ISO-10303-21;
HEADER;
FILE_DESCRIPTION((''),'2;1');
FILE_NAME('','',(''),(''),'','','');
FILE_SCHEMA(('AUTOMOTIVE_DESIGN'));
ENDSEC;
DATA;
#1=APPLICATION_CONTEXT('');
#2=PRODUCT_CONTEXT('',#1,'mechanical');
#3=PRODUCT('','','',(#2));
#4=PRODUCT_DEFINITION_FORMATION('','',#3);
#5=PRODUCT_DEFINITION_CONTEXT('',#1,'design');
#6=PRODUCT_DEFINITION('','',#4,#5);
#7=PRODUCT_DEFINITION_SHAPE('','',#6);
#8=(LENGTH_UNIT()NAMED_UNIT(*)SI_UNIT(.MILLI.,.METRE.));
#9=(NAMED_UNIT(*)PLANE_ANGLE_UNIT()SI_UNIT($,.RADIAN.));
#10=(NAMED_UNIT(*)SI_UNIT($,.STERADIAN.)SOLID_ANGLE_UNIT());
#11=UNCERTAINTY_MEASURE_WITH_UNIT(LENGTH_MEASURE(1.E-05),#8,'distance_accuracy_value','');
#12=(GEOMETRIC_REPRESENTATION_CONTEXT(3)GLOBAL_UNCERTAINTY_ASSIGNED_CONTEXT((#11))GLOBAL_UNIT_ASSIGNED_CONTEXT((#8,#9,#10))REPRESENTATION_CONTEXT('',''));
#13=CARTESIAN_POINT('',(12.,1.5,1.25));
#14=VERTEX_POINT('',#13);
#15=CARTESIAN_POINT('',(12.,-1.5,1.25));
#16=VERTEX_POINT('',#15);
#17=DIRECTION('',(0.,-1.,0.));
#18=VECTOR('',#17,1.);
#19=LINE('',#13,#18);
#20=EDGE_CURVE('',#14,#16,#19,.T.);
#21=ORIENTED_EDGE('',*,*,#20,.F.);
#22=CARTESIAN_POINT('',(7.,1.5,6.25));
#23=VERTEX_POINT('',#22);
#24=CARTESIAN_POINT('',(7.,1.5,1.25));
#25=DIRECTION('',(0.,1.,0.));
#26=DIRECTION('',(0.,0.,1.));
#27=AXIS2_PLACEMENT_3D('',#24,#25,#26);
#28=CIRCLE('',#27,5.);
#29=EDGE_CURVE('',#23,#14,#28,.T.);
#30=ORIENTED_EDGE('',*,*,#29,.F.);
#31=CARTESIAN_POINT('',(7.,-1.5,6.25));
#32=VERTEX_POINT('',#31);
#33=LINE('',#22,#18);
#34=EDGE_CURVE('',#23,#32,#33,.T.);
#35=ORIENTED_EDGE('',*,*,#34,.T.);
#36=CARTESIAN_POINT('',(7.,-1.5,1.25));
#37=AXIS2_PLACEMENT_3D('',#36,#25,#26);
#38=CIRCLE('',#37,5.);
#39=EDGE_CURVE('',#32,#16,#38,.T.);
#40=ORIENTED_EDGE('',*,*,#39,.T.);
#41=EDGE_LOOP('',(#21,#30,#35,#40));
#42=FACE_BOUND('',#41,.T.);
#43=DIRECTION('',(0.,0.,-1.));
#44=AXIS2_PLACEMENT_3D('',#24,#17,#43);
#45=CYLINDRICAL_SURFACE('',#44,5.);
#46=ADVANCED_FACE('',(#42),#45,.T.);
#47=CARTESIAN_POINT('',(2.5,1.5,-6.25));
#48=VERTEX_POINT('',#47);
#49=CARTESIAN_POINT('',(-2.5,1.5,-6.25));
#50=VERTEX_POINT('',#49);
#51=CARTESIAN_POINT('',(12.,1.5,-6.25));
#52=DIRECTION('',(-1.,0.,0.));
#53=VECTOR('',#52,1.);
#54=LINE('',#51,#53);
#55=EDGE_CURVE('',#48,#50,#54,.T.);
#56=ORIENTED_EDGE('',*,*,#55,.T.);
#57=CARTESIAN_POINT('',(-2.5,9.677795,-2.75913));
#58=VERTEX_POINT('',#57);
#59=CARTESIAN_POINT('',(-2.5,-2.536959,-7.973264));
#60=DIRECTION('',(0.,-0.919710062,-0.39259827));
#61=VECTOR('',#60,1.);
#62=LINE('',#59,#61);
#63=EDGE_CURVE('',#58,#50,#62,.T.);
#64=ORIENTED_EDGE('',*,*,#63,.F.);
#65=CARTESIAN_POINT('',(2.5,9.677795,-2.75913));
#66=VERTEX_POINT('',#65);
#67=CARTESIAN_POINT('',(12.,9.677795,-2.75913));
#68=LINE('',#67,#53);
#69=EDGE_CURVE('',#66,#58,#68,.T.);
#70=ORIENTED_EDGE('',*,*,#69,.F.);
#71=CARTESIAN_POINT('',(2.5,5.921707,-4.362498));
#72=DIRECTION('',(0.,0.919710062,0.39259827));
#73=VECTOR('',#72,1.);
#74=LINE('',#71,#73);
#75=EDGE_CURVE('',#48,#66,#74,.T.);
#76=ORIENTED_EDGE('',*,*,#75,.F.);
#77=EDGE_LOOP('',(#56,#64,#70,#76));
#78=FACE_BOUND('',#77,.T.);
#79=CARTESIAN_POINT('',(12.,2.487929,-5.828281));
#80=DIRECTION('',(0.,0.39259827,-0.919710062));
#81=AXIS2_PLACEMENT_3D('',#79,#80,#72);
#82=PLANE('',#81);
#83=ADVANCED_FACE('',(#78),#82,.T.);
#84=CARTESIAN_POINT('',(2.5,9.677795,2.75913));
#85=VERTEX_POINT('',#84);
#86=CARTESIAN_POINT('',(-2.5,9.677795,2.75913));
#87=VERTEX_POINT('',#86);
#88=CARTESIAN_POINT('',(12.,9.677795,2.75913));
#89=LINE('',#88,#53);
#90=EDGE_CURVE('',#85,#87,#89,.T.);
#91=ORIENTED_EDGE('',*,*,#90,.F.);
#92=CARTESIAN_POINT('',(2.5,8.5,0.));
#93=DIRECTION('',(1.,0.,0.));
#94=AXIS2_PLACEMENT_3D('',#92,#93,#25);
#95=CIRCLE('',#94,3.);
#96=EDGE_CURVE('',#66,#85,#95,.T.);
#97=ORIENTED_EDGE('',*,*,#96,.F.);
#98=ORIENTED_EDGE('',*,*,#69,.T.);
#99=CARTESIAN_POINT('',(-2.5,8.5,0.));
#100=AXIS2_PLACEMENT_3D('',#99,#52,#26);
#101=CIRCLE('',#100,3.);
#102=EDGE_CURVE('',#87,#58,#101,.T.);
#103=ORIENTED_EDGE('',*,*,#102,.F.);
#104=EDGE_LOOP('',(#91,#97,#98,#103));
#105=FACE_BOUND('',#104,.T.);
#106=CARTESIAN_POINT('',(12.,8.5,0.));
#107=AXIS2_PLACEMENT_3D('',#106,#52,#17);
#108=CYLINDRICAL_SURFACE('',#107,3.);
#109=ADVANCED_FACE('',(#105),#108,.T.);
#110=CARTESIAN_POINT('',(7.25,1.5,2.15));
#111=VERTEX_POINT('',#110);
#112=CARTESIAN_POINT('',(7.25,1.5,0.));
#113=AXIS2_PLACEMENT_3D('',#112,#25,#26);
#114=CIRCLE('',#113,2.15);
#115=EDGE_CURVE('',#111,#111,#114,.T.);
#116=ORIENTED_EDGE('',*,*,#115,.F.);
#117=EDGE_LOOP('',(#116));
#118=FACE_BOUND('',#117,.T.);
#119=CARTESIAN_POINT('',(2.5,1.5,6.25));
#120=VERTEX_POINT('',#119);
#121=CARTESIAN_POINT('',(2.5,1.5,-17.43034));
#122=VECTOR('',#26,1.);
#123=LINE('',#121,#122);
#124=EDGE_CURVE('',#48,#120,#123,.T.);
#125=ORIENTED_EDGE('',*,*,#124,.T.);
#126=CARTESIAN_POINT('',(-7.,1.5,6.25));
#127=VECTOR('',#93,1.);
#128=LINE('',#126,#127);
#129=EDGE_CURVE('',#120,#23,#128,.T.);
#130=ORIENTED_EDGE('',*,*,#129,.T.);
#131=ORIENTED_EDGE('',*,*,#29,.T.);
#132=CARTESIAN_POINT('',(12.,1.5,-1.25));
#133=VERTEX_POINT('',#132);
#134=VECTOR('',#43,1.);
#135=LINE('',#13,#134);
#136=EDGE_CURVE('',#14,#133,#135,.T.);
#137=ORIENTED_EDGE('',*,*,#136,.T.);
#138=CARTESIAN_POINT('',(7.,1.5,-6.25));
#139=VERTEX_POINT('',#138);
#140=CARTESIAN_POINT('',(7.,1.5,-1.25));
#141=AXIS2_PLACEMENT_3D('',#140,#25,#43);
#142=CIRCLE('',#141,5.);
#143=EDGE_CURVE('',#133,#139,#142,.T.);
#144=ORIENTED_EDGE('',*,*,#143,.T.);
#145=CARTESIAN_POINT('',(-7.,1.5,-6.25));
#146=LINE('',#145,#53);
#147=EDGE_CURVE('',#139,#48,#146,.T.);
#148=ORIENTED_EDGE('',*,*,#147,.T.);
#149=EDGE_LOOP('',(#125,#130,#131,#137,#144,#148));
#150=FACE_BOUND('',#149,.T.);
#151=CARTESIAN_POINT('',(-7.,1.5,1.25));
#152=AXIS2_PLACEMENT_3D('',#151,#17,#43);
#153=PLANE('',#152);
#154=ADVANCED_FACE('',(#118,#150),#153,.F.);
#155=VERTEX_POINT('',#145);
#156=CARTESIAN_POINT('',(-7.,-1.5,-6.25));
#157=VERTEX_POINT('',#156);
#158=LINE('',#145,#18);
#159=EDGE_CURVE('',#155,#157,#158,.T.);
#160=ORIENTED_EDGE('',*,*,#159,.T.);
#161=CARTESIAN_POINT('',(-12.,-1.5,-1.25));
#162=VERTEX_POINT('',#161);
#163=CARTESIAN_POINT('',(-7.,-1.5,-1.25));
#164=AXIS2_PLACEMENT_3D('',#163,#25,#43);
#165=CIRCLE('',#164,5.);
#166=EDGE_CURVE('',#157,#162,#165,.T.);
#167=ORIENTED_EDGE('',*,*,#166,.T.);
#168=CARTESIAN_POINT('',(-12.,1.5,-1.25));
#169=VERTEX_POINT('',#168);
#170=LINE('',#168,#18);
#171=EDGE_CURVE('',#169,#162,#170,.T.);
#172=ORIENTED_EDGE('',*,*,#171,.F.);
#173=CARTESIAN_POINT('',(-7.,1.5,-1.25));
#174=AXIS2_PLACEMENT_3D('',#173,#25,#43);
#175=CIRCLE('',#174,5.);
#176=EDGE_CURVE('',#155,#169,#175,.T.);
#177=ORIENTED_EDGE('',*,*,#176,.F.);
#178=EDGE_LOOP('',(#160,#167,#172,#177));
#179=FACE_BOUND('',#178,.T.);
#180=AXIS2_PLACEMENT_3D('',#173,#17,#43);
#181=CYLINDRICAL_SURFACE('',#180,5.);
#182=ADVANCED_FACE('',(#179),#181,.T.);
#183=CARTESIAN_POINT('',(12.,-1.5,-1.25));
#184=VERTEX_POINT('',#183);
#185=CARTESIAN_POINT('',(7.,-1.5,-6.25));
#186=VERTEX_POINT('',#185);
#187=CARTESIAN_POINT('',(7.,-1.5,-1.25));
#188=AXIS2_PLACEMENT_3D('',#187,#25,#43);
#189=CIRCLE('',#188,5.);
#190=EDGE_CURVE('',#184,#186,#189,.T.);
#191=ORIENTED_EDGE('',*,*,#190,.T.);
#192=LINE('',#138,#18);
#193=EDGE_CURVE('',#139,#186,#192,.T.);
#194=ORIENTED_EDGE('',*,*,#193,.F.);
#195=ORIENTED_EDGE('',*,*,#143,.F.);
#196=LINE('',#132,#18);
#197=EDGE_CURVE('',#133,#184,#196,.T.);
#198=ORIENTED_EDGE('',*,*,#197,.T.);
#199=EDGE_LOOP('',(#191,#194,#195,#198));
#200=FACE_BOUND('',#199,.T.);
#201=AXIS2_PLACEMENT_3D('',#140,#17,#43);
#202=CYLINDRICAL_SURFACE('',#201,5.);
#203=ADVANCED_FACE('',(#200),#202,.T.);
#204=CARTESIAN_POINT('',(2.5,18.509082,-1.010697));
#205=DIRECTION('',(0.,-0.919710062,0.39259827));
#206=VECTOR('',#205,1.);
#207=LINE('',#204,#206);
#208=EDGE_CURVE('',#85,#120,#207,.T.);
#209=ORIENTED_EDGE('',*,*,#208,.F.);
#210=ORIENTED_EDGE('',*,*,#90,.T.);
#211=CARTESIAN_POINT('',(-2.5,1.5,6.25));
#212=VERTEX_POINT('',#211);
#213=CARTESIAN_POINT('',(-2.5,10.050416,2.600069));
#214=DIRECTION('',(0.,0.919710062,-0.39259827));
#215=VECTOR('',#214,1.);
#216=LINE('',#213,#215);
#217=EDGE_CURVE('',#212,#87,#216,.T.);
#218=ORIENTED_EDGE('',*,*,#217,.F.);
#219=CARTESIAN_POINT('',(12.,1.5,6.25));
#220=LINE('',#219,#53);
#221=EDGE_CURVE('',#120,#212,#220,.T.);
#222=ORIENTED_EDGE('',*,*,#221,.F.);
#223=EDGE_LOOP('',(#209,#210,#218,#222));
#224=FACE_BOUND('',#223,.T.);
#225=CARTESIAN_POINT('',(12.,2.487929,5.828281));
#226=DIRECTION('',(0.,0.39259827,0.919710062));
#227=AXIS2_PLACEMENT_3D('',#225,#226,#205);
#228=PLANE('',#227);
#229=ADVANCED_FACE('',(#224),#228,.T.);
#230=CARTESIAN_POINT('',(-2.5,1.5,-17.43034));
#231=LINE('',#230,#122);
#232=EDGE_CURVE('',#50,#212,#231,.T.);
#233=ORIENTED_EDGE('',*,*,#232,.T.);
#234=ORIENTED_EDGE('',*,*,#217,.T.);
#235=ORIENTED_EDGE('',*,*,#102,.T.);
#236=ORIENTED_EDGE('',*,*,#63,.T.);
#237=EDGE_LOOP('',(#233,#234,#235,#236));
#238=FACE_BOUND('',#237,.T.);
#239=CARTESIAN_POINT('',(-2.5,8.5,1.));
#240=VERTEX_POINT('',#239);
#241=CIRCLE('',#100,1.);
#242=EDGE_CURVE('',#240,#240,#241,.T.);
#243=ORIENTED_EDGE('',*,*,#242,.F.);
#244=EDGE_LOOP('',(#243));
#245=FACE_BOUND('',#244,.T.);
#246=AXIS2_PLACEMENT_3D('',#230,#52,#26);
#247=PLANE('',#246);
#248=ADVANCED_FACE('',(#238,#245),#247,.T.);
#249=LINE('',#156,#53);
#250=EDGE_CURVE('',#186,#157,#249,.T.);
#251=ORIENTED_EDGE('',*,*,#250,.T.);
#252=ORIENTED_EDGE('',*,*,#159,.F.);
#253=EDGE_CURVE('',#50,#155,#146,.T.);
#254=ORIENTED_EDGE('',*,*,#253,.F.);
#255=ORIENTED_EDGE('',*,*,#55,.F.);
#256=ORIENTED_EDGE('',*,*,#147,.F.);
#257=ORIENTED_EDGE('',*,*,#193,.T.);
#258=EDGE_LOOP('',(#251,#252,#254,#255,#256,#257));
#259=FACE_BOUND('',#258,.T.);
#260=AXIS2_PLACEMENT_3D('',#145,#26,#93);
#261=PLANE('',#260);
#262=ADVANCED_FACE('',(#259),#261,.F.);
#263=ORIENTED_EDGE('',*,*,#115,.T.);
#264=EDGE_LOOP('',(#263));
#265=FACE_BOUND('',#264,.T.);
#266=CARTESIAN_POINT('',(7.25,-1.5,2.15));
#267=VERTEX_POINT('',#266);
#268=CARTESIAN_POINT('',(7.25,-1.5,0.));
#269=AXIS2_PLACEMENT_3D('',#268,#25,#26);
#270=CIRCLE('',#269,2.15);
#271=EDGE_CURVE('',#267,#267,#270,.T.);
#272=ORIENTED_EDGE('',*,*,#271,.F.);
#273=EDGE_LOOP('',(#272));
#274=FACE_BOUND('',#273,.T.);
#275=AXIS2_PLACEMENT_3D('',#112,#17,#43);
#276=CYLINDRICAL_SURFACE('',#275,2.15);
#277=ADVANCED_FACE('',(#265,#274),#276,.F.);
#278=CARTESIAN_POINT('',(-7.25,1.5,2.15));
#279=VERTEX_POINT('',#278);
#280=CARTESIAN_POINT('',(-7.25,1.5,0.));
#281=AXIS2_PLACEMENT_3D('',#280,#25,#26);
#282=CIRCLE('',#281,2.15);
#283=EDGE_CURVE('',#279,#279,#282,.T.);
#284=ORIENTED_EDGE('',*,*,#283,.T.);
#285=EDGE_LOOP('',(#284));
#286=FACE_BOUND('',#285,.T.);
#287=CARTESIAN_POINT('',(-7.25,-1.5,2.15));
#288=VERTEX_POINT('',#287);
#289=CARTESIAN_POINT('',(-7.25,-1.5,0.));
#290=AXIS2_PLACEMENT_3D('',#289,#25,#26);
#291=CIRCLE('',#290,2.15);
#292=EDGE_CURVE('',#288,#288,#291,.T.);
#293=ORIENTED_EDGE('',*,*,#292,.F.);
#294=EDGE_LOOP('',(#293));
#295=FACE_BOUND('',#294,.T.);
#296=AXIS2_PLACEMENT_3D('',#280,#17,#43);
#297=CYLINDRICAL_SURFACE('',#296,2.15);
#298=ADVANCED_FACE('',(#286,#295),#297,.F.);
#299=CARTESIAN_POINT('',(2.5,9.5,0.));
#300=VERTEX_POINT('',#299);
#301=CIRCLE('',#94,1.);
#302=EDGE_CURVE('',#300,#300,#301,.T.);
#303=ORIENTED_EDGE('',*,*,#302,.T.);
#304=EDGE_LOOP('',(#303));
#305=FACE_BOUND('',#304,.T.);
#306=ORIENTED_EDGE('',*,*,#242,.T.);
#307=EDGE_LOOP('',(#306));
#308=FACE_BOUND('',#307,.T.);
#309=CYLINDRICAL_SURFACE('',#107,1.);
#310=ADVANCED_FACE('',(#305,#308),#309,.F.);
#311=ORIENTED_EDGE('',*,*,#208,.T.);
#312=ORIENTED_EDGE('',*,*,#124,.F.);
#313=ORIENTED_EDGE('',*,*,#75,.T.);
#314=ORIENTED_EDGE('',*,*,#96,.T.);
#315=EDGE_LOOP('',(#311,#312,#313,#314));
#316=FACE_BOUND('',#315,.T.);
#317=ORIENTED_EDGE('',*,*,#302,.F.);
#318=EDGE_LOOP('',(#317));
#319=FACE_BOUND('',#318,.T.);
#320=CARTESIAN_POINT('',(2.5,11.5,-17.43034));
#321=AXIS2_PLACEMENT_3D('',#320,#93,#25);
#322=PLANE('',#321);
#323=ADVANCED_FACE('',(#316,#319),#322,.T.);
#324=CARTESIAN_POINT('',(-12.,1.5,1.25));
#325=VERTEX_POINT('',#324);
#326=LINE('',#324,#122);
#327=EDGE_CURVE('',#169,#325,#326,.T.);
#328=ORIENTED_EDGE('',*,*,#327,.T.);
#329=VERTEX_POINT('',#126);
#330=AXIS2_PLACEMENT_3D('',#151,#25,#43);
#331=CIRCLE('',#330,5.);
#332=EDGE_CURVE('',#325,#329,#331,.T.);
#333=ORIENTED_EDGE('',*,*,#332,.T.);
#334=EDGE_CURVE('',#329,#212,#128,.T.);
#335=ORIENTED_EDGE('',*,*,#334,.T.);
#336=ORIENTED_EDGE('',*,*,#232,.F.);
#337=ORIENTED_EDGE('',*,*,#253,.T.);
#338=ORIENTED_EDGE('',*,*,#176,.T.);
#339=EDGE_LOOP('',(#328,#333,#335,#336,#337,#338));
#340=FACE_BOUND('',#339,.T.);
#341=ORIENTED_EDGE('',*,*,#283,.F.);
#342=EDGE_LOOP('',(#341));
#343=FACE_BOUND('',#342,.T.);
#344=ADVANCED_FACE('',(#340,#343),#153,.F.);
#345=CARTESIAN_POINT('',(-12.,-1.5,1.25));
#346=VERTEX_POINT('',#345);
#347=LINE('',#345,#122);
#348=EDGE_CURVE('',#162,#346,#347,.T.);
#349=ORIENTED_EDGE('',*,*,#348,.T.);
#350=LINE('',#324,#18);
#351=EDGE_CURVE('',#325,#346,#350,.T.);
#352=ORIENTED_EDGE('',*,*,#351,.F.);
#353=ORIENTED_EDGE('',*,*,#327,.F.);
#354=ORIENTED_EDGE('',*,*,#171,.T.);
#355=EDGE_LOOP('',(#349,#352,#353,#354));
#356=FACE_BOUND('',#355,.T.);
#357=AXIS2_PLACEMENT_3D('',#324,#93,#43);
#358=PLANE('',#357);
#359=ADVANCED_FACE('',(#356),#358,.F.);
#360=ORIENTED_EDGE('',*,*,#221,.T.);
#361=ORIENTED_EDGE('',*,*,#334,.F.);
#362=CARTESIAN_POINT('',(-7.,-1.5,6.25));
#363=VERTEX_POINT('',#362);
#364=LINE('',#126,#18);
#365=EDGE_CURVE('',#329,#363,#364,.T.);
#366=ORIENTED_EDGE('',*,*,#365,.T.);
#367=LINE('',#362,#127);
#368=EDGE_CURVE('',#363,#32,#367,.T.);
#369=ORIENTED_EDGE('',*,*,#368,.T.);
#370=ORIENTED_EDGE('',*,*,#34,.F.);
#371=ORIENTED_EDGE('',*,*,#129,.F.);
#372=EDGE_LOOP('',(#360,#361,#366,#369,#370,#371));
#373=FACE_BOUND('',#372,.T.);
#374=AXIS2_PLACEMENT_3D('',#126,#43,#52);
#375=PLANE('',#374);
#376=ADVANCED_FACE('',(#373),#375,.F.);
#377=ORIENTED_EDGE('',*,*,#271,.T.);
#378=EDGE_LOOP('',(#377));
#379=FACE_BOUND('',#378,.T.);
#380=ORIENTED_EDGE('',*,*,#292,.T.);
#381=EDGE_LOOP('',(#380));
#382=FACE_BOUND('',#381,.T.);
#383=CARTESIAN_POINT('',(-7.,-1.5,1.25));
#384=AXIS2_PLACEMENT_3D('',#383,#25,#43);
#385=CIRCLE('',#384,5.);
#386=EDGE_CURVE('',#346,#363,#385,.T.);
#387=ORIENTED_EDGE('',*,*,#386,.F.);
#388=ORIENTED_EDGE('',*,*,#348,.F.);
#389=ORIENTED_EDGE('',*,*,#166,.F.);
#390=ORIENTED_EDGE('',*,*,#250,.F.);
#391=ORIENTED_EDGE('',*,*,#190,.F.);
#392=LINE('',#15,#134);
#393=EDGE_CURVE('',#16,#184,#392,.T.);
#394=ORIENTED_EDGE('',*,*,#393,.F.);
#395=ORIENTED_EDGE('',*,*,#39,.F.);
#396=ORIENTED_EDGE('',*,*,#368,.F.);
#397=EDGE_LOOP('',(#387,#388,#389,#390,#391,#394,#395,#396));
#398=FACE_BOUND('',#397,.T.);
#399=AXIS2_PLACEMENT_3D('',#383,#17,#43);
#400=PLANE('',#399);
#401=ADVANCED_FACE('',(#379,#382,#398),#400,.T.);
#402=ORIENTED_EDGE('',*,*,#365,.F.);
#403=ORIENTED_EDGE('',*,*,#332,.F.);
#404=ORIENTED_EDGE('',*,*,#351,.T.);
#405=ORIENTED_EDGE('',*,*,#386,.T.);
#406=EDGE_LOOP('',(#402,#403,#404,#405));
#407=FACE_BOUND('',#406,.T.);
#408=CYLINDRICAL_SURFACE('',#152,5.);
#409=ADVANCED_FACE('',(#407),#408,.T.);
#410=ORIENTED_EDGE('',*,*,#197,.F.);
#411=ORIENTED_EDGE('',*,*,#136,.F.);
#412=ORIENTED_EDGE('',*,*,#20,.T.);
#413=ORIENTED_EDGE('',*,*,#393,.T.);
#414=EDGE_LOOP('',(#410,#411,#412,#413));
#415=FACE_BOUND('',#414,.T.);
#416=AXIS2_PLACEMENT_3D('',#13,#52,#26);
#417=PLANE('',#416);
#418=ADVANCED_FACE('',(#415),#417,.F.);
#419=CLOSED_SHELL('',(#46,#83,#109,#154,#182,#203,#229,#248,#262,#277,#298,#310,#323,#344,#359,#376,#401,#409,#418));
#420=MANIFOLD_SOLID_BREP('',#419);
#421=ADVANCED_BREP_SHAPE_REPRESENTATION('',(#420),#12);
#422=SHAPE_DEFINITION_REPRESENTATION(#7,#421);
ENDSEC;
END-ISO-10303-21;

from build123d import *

# Parameters (mm, degrees)
SKETCH1_R               = 2.15
BOSS_EXTRUDE1_DEPTH     = 1.5
SKETCH3_W               = 5
SKETCH3_H               = 10
BOSS_EXTRUDE3_DEPTH     = 12.5
CUT_EXTRUDE1_DEPTH      = 20.533624856
CUT_EXTRUDE1_DEPTH_BACK = 20.533624856
SKETCH4_R               = 1


with BuildPart() as part:
    # Sketch1 → Boss-Extrude1 (new, symmetric)
    with BuildSketch(Plane(origin=(0, 0, 0), x_dir=(1, 0, 0), z_dir=(0, 1, 0))):
        with BuildLine():
            Line((-7, -6.25), (7, -6.25))
            ThreePointArc((7, -6.25), (10.535533906, -4.785533906), (12, -1.25))
            Line((12, -1.25), (12, 1.25))
            ThreePointArc((12, 1.25), (10.535533906, 4.785533906), (7, 6.25))
            Line((7, 6.25), (-7, 6.25))
            ThreePointArc((-7, 6.25), (-10.535533906, 4.785533906), (-12, 1.25))
            Line((-12, 1.25), (-12, -1.25))
            ThreePointArc((-12, -1.25), (-10.535533906, -4.785533906), (-7, -6.25))
        make_face()
        with Locations(Location((-7.25, 0, 0), (0, 0, 270))):
            Circle(SKETCH1_R, mode=Mode.SUBTRACT)
        with Locations(Location((7.25, 0, 0), (0, 0, 270))):
            Circle(SKETCH1_R, mode=Mode.SUBTRACT)
    extrude(amount=BOSS_EXTRUDE1_DEPTH, both=True)

    # Sketch3 → Boss-Extrude3 (add)
    with BuildSketch(Plane.XY.offset(6.25)):
        with Locations((0, 6.5)):
            Rectangle(SKETCH3_W, SKETCH3_H)
    extrude(amount=-BOSS_EXTRUDE3_DEPTH)

    # Sketch4 → Cut-Extrude1 (cut, two sides: drawn at the far end of the back side and taken through both)
    with BuildSketch(Plane.ZY.offset(2.5).offset(-CUT_EXTRUDE1_DEPTH_BACK)):
        with BuildLine():
            Line((-6.25, 1.5), (-2.759130187, 9.677794809))
            ThreePointArc((-2.759130187, 9.677794809), (-1.653271843, 11.003336217), (0, 11.5))
            Line((0, 11.5), (-6.25, 11.5))
            Line((-6.25, 11.5), (-6.25, 1.5))
        make_face()
        with BuildLine():
            Line((6.25, 11.5), (0, 11.5))
            ThreePointArc((0, 11.5), (1.653271843, 11.003336217), (2.759130187, 9.677794809))
            Line((2.759130187, 9.677794809), (6.25, 1.5))
            Line((6.25, 1.5), (6.25, 11.5))
        make_face()
        with Locations((0, 8.5)):
            Circle(SKETCH4_R)
    extrude(amount=CUT_EXTRUDE1_DEPTH + CUT_EXTRUDE1_DEPTH_BACK, mode=Mode.SUBTRACT)


solid = part.part
